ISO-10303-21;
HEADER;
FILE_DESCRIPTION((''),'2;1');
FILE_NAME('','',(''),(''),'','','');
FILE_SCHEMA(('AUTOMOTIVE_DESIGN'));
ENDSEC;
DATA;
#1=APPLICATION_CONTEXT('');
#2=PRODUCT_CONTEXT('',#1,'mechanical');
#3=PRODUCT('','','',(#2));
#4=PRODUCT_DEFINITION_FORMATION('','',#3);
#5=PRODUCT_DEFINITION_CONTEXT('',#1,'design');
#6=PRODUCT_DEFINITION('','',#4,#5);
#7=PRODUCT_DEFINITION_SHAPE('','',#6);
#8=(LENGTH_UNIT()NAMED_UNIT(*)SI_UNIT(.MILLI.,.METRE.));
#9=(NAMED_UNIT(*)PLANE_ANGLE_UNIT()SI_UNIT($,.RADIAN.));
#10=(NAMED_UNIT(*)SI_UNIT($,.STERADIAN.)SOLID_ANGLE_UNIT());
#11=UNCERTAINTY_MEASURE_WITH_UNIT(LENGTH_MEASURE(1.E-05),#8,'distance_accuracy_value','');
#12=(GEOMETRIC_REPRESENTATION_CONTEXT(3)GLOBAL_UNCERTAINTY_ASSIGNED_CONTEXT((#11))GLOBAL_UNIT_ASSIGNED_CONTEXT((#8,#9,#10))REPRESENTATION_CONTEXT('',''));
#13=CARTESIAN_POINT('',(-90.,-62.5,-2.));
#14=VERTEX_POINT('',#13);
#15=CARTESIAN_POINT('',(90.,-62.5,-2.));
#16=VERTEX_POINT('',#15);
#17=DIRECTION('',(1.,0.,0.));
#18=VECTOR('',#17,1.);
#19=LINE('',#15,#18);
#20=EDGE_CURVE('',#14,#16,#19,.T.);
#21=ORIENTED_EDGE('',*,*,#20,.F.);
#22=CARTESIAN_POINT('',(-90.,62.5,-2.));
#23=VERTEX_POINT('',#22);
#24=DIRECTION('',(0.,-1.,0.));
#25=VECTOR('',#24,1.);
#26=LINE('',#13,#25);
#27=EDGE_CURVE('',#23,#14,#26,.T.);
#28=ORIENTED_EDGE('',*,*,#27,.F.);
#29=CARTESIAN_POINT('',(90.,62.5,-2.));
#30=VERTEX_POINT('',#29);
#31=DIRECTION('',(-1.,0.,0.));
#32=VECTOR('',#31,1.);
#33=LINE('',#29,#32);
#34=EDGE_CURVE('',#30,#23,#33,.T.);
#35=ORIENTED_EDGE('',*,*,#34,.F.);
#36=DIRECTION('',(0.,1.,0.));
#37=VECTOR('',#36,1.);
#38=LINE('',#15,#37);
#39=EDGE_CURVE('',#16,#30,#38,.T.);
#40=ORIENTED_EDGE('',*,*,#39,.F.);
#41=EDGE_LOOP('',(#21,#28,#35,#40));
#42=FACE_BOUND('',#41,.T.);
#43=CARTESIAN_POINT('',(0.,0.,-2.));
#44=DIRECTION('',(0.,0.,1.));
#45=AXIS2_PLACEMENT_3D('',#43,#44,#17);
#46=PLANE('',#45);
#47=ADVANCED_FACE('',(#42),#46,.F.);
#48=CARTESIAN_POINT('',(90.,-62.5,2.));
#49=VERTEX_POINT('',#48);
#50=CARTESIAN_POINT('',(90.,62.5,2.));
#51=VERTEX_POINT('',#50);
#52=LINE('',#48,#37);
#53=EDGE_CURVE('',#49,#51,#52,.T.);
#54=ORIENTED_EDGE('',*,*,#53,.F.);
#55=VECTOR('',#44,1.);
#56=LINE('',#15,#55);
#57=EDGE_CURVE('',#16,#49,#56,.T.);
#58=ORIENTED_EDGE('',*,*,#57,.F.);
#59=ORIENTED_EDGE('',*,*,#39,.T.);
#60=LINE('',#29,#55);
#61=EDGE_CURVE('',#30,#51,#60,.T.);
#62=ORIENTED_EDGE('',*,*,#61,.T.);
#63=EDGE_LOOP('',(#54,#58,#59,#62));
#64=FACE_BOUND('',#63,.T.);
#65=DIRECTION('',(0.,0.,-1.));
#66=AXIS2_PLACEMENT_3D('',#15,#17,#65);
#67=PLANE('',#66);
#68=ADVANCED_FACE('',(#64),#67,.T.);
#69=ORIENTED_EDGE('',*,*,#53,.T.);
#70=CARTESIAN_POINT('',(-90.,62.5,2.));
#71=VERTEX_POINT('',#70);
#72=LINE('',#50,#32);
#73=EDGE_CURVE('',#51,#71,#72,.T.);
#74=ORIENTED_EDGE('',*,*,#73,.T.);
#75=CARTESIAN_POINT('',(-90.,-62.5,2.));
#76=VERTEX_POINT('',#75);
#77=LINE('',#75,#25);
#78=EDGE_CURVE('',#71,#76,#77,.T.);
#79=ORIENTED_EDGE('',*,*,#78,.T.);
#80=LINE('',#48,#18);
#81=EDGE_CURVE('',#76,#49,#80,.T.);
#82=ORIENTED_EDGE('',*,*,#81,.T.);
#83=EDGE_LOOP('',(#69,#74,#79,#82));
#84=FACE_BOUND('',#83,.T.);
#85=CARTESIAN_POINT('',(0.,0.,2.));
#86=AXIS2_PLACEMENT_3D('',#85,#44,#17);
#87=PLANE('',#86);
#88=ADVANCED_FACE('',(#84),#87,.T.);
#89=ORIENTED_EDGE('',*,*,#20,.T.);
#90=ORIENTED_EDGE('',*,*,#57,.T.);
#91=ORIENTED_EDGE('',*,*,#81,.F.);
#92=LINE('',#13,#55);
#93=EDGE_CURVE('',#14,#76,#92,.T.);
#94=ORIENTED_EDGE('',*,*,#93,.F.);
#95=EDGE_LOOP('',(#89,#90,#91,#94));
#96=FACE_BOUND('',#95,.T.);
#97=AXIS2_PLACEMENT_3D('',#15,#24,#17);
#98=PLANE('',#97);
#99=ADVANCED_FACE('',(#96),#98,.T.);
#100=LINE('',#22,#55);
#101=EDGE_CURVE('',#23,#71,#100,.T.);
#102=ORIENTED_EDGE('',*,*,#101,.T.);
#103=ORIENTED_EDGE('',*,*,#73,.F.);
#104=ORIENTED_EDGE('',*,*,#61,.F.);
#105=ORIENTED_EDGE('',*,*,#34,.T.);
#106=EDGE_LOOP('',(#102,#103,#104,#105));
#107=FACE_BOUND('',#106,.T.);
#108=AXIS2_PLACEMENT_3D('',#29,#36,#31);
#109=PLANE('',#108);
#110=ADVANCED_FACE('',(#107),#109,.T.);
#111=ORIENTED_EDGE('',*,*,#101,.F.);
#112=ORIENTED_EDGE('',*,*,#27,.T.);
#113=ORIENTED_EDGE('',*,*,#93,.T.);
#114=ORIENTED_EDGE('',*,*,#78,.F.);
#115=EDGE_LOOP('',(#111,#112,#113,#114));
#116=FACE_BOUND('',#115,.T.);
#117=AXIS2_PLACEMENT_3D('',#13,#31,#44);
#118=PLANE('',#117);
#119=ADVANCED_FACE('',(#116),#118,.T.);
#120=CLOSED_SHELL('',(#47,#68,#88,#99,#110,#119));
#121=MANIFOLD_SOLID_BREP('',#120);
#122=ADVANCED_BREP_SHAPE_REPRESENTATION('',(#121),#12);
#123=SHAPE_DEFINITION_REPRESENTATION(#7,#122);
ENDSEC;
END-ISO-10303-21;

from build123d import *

# Parameters (mm, degrees)
SALIENTE_EXTRUIR1_DEPTH      = 2
SALIENTE_EXTRUIR1_DEPTH_BACK = 2
CROQUIS1_W                   = 180
CROQUIS1_H                   = 125


with BuildPart() as part:
    # Croquis1 → Saliente-Extruir1 (new, two sides: drawn at the far end of the back side and taken through both)
    with BuildSketch(Plane.XY.offset(-SALIENTE_EXTRUIR1_DEPTH_BACK)):
        Rectangle(CROQUIS1_W, CROQUIS1_H)
    extrude(amount=SALIENTE_EXTRUIR1_DEPTH + SALIENTE_EXTRUIR1_DEPTH_BACK)


solid = part.part
